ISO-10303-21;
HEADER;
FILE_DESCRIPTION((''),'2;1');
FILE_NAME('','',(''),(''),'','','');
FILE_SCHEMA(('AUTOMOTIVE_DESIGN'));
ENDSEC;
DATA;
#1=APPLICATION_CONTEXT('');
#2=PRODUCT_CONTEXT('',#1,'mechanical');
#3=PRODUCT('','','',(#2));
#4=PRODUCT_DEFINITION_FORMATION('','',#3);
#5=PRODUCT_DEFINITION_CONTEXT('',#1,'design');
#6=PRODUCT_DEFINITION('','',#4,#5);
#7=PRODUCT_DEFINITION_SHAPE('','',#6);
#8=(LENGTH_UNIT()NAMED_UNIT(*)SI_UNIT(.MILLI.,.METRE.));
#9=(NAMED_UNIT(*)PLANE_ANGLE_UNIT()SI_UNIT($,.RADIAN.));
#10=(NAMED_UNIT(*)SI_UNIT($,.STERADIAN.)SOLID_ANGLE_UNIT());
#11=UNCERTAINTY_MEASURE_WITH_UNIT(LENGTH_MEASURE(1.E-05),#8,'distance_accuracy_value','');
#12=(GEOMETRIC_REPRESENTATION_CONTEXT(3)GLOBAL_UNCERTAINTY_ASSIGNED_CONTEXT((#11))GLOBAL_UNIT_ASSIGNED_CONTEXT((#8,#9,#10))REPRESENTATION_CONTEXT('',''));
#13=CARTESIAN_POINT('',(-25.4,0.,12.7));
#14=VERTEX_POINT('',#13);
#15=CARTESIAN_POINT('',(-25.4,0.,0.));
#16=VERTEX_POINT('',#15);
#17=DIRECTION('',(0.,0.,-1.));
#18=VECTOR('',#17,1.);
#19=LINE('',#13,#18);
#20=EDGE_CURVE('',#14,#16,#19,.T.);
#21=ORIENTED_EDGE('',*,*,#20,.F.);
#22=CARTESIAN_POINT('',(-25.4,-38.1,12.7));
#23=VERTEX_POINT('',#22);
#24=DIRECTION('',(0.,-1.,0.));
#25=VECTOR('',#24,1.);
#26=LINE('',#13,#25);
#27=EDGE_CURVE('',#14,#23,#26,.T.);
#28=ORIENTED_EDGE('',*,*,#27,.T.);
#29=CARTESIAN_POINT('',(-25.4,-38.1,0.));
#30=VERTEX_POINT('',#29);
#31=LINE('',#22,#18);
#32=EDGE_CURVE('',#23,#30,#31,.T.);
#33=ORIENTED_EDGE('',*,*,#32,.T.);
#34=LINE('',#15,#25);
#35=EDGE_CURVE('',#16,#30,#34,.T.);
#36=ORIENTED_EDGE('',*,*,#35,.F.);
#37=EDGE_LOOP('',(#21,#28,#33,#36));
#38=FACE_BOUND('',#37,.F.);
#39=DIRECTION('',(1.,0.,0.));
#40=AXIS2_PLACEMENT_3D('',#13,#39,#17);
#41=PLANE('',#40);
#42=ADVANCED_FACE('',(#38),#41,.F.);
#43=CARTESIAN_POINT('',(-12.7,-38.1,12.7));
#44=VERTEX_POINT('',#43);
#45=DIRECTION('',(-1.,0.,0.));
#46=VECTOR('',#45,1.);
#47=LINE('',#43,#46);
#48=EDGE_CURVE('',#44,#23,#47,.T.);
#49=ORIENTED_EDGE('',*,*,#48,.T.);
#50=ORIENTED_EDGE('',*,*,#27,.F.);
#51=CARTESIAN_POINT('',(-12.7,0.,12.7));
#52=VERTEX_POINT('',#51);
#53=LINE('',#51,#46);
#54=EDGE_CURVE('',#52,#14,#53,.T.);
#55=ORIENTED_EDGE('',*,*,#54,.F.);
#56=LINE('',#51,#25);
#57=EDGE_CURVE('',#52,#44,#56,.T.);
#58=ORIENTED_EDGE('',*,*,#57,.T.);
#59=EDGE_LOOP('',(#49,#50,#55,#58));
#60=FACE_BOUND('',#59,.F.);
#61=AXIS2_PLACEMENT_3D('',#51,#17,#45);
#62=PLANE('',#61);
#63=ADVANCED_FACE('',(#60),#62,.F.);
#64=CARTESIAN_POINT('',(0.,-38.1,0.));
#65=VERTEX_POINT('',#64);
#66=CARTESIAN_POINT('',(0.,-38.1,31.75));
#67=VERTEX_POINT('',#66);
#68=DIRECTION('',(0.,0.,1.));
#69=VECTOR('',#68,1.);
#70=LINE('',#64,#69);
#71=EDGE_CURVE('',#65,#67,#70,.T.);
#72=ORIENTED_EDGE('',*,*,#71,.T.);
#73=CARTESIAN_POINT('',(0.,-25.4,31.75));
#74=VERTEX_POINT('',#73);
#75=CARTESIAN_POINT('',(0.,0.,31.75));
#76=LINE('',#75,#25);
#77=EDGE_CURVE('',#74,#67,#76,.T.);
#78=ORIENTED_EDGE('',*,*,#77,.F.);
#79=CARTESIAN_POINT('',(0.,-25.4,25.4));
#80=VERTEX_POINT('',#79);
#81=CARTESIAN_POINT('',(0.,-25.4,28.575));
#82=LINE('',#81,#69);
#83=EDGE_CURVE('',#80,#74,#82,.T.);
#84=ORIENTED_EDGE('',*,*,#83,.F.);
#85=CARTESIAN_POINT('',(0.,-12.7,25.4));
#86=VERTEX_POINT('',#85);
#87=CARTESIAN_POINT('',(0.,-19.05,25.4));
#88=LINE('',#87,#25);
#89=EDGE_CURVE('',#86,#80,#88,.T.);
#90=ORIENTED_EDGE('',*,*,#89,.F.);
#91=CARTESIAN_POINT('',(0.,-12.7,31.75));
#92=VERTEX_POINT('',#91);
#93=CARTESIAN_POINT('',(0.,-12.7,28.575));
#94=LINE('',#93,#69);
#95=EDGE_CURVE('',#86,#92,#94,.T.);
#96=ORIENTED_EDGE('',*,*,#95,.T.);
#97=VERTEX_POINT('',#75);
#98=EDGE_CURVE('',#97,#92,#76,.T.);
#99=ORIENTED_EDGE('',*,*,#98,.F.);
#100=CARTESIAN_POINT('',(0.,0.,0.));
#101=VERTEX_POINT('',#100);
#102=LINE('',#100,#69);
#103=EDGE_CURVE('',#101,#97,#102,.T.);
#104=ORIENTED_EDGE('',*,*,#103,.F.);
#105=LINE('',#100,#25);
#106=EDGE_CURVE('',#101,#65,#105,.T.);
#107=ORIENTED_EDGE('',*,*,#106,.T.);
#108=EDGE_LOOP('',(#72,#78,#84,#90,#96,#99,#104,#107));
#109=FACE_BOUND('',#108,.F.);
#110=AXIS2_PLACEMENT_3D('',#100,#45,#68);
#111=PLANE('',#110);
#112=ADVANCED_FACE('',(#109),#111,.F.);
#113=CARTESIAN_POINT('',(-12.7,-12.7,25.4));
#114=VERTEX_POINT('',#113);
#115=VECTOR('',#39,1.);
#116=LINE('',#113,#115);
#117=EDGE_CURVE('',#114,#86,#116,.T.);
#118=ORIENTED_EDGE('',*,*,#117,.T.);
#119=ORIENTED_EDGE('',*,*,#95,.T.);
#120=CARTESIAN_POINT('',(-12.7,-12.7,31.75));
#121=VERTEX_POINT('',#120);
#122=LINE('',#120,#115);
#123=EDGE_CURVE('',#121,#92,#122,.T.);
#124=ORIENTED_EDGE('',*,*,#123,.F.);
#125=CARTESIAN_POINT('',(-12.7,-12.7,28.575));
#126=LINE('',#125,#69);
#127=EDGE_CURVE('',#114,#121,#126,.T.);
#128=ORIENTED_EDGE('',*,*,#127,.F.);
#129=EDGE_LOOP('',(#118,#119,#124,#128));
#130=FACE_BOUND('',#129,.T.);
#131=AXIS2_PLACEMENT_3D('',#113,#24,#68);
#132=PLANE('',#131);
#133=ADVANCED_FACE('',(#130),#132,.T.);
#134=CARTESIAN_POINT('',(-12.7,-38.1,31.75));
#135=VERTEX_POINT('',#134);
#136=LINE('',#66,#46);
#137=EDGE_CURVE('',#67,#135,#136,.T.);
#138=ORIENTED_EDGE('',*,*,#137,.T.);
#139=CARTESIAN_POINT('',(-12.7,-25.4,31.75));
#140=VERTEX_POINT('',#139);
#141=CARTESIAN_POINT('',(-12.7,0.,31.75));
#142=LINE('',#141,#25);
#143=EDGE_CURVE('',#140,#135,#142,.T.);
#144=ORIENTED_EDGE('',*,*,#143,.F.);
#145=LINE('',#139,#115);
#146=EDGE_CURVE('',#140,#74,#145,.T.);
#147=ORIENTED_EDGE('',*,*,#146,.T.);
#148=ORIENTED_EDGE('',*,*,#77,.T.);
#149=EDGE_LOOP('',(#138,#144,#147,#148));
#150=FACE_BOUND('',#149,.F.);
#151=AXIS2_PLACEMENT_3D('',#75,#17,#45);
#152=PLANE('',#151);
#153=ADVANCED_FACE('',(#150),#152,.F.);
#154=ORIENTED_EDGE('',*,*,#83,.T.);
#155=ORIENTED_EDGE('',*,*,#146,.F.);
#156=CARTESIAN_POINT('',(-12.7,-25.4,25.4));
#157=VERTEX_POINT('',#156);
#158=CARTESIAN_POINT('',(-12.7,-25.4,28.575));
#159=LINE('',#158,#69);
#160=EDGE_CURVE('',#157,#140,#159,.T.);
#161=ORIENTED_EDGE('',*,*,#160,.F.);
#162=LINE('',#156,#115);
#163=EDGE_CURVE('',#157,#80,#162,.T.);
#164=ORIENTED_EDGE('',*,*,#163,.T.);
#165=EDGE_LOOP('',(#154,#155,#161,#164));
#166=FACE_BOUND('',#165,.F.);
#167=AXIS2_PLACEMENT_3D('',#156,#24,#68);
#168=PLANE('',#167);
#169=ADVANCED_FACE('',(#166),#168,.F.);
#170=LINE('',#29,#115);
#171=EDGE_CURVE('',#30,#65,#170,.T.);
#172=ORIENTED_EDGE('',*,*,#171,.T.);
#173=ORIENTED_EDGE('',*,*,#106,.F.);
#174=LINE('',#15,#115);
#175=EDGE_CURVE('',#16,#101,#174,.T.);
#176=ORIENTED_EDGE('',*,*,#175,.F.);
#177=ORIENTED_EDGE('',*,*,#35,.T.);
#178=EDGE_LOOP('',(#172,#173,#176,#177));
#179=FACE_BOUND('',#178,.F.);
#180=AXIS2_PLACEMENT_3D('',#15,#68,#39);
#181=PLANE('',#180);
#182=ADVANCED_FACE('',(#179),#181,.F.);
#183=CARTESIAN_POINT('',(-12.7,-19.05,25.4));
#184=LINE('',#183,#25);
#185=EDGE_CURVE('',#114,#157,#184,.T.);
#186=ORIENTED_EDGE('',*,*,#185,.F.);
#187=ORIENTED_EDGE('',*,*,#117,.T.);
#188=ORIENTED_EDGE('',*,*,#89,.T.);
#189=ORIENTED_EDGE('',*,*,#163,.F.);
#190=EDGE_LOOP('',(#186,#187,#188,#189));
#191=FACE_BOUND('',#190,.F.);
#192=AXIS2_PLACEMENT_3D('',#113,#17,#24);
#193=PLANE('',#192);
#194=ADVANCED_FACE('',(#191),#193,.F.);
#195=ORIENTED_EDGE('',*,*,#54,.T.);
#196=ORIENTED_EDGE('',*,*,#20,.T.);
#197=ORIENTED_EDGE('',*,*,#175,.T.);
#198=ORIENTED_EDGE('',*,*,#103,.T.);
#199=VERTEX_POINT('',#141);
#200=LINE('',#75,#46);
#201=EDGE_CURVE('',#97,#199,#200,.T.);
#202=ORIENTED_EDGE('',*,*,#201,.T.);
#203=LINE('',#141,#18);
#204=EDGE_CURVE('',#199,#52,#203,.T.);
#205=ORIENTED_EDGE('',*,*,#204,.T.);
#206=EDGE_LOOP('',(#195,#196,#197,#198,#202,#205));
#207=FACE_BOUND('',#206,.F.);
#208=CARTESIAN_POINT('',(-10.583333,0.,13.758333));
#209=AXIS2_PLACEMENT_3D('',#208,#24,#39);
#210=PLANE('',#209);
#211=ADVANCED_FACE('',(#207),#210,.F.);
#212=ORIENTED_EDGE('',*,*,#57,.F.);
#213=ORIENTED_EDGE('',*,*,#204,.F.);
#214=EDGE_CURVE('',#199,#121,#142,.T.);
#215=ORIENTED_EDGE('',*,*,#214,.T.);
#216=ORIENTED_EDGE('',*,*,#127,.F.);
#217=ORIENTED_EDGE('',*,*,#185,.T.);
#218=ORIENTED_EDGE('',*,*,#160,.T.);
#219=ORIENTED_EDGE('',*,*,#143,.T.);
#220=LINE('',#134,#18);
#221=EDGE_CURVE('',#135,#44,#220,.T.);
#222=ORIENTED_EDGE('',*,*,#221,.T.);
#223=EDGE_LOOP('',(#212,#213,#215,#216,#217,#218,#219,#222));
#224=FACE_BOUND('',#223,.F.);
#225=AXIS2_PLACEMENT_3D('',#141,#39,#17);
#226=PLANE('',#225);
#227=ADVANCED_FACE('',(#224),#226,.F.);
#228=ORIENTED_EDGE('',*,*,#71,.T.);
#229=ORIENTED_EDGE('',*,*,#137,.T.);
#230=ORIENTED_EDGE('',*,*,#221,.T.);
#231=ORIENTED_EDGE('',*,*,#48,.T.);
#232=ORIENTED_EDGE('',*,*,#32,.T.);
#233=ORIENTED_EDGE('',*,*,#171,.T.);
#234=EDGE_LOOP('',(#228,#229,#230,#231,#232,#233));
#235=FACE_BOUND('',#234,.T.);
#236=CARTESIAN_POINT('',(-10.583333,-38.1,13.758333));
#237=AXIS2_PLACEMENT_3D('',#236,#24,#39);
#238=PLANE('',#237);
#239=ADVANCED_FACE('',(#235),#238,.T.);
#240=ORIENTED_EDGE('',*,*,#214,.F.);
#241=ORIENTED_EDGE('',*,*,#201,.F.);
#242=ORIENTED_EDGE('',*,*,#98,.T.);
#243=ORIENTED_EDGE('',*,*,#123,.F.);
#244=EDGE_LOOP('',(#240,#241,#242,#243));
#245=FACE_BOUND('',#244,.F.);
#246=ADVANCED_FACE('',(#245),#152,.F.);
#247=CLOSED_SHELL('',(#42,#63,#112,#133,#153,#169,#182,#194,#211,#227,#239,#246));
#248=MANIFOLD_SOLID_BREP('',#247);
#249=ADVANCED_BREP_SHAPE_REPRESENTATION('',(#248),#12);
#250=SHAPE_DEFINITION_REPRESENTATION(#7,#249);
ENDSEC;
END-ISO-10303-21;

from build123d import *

# Parameters (mm, degrees)
F1_DEPTH = 38.1
F2_W     = 12.7
F2_H     = 6.35
F3_DEPTH = 12.7


with BuildPart() as f1:
    # F0 (on Front) → F1 (new body)
    with BuildSketch(Plane.XZ):
        Polygon((-25.4, 0), (0, 0), (0, 31.75), (-12.7, 31.75), (-12.7, 12.7), (-25.4, 12.7), align=None)
    extrude(amount=F1_DEPTH)

    # F2 (on face) → F3 (cut)
    with BuildSketch(Plane(origin=(-12.7, 0, 0), x_dir=(0, -1, 0), z_dir=(-1, 0, 0))):
        with Locations((19.05, 28.575)):
            Rectangle(F2_W, F2_H)
    extrude(amount=-F3_DEPTH, mode=Mode.SUBTRACT)


solid = f1.part
